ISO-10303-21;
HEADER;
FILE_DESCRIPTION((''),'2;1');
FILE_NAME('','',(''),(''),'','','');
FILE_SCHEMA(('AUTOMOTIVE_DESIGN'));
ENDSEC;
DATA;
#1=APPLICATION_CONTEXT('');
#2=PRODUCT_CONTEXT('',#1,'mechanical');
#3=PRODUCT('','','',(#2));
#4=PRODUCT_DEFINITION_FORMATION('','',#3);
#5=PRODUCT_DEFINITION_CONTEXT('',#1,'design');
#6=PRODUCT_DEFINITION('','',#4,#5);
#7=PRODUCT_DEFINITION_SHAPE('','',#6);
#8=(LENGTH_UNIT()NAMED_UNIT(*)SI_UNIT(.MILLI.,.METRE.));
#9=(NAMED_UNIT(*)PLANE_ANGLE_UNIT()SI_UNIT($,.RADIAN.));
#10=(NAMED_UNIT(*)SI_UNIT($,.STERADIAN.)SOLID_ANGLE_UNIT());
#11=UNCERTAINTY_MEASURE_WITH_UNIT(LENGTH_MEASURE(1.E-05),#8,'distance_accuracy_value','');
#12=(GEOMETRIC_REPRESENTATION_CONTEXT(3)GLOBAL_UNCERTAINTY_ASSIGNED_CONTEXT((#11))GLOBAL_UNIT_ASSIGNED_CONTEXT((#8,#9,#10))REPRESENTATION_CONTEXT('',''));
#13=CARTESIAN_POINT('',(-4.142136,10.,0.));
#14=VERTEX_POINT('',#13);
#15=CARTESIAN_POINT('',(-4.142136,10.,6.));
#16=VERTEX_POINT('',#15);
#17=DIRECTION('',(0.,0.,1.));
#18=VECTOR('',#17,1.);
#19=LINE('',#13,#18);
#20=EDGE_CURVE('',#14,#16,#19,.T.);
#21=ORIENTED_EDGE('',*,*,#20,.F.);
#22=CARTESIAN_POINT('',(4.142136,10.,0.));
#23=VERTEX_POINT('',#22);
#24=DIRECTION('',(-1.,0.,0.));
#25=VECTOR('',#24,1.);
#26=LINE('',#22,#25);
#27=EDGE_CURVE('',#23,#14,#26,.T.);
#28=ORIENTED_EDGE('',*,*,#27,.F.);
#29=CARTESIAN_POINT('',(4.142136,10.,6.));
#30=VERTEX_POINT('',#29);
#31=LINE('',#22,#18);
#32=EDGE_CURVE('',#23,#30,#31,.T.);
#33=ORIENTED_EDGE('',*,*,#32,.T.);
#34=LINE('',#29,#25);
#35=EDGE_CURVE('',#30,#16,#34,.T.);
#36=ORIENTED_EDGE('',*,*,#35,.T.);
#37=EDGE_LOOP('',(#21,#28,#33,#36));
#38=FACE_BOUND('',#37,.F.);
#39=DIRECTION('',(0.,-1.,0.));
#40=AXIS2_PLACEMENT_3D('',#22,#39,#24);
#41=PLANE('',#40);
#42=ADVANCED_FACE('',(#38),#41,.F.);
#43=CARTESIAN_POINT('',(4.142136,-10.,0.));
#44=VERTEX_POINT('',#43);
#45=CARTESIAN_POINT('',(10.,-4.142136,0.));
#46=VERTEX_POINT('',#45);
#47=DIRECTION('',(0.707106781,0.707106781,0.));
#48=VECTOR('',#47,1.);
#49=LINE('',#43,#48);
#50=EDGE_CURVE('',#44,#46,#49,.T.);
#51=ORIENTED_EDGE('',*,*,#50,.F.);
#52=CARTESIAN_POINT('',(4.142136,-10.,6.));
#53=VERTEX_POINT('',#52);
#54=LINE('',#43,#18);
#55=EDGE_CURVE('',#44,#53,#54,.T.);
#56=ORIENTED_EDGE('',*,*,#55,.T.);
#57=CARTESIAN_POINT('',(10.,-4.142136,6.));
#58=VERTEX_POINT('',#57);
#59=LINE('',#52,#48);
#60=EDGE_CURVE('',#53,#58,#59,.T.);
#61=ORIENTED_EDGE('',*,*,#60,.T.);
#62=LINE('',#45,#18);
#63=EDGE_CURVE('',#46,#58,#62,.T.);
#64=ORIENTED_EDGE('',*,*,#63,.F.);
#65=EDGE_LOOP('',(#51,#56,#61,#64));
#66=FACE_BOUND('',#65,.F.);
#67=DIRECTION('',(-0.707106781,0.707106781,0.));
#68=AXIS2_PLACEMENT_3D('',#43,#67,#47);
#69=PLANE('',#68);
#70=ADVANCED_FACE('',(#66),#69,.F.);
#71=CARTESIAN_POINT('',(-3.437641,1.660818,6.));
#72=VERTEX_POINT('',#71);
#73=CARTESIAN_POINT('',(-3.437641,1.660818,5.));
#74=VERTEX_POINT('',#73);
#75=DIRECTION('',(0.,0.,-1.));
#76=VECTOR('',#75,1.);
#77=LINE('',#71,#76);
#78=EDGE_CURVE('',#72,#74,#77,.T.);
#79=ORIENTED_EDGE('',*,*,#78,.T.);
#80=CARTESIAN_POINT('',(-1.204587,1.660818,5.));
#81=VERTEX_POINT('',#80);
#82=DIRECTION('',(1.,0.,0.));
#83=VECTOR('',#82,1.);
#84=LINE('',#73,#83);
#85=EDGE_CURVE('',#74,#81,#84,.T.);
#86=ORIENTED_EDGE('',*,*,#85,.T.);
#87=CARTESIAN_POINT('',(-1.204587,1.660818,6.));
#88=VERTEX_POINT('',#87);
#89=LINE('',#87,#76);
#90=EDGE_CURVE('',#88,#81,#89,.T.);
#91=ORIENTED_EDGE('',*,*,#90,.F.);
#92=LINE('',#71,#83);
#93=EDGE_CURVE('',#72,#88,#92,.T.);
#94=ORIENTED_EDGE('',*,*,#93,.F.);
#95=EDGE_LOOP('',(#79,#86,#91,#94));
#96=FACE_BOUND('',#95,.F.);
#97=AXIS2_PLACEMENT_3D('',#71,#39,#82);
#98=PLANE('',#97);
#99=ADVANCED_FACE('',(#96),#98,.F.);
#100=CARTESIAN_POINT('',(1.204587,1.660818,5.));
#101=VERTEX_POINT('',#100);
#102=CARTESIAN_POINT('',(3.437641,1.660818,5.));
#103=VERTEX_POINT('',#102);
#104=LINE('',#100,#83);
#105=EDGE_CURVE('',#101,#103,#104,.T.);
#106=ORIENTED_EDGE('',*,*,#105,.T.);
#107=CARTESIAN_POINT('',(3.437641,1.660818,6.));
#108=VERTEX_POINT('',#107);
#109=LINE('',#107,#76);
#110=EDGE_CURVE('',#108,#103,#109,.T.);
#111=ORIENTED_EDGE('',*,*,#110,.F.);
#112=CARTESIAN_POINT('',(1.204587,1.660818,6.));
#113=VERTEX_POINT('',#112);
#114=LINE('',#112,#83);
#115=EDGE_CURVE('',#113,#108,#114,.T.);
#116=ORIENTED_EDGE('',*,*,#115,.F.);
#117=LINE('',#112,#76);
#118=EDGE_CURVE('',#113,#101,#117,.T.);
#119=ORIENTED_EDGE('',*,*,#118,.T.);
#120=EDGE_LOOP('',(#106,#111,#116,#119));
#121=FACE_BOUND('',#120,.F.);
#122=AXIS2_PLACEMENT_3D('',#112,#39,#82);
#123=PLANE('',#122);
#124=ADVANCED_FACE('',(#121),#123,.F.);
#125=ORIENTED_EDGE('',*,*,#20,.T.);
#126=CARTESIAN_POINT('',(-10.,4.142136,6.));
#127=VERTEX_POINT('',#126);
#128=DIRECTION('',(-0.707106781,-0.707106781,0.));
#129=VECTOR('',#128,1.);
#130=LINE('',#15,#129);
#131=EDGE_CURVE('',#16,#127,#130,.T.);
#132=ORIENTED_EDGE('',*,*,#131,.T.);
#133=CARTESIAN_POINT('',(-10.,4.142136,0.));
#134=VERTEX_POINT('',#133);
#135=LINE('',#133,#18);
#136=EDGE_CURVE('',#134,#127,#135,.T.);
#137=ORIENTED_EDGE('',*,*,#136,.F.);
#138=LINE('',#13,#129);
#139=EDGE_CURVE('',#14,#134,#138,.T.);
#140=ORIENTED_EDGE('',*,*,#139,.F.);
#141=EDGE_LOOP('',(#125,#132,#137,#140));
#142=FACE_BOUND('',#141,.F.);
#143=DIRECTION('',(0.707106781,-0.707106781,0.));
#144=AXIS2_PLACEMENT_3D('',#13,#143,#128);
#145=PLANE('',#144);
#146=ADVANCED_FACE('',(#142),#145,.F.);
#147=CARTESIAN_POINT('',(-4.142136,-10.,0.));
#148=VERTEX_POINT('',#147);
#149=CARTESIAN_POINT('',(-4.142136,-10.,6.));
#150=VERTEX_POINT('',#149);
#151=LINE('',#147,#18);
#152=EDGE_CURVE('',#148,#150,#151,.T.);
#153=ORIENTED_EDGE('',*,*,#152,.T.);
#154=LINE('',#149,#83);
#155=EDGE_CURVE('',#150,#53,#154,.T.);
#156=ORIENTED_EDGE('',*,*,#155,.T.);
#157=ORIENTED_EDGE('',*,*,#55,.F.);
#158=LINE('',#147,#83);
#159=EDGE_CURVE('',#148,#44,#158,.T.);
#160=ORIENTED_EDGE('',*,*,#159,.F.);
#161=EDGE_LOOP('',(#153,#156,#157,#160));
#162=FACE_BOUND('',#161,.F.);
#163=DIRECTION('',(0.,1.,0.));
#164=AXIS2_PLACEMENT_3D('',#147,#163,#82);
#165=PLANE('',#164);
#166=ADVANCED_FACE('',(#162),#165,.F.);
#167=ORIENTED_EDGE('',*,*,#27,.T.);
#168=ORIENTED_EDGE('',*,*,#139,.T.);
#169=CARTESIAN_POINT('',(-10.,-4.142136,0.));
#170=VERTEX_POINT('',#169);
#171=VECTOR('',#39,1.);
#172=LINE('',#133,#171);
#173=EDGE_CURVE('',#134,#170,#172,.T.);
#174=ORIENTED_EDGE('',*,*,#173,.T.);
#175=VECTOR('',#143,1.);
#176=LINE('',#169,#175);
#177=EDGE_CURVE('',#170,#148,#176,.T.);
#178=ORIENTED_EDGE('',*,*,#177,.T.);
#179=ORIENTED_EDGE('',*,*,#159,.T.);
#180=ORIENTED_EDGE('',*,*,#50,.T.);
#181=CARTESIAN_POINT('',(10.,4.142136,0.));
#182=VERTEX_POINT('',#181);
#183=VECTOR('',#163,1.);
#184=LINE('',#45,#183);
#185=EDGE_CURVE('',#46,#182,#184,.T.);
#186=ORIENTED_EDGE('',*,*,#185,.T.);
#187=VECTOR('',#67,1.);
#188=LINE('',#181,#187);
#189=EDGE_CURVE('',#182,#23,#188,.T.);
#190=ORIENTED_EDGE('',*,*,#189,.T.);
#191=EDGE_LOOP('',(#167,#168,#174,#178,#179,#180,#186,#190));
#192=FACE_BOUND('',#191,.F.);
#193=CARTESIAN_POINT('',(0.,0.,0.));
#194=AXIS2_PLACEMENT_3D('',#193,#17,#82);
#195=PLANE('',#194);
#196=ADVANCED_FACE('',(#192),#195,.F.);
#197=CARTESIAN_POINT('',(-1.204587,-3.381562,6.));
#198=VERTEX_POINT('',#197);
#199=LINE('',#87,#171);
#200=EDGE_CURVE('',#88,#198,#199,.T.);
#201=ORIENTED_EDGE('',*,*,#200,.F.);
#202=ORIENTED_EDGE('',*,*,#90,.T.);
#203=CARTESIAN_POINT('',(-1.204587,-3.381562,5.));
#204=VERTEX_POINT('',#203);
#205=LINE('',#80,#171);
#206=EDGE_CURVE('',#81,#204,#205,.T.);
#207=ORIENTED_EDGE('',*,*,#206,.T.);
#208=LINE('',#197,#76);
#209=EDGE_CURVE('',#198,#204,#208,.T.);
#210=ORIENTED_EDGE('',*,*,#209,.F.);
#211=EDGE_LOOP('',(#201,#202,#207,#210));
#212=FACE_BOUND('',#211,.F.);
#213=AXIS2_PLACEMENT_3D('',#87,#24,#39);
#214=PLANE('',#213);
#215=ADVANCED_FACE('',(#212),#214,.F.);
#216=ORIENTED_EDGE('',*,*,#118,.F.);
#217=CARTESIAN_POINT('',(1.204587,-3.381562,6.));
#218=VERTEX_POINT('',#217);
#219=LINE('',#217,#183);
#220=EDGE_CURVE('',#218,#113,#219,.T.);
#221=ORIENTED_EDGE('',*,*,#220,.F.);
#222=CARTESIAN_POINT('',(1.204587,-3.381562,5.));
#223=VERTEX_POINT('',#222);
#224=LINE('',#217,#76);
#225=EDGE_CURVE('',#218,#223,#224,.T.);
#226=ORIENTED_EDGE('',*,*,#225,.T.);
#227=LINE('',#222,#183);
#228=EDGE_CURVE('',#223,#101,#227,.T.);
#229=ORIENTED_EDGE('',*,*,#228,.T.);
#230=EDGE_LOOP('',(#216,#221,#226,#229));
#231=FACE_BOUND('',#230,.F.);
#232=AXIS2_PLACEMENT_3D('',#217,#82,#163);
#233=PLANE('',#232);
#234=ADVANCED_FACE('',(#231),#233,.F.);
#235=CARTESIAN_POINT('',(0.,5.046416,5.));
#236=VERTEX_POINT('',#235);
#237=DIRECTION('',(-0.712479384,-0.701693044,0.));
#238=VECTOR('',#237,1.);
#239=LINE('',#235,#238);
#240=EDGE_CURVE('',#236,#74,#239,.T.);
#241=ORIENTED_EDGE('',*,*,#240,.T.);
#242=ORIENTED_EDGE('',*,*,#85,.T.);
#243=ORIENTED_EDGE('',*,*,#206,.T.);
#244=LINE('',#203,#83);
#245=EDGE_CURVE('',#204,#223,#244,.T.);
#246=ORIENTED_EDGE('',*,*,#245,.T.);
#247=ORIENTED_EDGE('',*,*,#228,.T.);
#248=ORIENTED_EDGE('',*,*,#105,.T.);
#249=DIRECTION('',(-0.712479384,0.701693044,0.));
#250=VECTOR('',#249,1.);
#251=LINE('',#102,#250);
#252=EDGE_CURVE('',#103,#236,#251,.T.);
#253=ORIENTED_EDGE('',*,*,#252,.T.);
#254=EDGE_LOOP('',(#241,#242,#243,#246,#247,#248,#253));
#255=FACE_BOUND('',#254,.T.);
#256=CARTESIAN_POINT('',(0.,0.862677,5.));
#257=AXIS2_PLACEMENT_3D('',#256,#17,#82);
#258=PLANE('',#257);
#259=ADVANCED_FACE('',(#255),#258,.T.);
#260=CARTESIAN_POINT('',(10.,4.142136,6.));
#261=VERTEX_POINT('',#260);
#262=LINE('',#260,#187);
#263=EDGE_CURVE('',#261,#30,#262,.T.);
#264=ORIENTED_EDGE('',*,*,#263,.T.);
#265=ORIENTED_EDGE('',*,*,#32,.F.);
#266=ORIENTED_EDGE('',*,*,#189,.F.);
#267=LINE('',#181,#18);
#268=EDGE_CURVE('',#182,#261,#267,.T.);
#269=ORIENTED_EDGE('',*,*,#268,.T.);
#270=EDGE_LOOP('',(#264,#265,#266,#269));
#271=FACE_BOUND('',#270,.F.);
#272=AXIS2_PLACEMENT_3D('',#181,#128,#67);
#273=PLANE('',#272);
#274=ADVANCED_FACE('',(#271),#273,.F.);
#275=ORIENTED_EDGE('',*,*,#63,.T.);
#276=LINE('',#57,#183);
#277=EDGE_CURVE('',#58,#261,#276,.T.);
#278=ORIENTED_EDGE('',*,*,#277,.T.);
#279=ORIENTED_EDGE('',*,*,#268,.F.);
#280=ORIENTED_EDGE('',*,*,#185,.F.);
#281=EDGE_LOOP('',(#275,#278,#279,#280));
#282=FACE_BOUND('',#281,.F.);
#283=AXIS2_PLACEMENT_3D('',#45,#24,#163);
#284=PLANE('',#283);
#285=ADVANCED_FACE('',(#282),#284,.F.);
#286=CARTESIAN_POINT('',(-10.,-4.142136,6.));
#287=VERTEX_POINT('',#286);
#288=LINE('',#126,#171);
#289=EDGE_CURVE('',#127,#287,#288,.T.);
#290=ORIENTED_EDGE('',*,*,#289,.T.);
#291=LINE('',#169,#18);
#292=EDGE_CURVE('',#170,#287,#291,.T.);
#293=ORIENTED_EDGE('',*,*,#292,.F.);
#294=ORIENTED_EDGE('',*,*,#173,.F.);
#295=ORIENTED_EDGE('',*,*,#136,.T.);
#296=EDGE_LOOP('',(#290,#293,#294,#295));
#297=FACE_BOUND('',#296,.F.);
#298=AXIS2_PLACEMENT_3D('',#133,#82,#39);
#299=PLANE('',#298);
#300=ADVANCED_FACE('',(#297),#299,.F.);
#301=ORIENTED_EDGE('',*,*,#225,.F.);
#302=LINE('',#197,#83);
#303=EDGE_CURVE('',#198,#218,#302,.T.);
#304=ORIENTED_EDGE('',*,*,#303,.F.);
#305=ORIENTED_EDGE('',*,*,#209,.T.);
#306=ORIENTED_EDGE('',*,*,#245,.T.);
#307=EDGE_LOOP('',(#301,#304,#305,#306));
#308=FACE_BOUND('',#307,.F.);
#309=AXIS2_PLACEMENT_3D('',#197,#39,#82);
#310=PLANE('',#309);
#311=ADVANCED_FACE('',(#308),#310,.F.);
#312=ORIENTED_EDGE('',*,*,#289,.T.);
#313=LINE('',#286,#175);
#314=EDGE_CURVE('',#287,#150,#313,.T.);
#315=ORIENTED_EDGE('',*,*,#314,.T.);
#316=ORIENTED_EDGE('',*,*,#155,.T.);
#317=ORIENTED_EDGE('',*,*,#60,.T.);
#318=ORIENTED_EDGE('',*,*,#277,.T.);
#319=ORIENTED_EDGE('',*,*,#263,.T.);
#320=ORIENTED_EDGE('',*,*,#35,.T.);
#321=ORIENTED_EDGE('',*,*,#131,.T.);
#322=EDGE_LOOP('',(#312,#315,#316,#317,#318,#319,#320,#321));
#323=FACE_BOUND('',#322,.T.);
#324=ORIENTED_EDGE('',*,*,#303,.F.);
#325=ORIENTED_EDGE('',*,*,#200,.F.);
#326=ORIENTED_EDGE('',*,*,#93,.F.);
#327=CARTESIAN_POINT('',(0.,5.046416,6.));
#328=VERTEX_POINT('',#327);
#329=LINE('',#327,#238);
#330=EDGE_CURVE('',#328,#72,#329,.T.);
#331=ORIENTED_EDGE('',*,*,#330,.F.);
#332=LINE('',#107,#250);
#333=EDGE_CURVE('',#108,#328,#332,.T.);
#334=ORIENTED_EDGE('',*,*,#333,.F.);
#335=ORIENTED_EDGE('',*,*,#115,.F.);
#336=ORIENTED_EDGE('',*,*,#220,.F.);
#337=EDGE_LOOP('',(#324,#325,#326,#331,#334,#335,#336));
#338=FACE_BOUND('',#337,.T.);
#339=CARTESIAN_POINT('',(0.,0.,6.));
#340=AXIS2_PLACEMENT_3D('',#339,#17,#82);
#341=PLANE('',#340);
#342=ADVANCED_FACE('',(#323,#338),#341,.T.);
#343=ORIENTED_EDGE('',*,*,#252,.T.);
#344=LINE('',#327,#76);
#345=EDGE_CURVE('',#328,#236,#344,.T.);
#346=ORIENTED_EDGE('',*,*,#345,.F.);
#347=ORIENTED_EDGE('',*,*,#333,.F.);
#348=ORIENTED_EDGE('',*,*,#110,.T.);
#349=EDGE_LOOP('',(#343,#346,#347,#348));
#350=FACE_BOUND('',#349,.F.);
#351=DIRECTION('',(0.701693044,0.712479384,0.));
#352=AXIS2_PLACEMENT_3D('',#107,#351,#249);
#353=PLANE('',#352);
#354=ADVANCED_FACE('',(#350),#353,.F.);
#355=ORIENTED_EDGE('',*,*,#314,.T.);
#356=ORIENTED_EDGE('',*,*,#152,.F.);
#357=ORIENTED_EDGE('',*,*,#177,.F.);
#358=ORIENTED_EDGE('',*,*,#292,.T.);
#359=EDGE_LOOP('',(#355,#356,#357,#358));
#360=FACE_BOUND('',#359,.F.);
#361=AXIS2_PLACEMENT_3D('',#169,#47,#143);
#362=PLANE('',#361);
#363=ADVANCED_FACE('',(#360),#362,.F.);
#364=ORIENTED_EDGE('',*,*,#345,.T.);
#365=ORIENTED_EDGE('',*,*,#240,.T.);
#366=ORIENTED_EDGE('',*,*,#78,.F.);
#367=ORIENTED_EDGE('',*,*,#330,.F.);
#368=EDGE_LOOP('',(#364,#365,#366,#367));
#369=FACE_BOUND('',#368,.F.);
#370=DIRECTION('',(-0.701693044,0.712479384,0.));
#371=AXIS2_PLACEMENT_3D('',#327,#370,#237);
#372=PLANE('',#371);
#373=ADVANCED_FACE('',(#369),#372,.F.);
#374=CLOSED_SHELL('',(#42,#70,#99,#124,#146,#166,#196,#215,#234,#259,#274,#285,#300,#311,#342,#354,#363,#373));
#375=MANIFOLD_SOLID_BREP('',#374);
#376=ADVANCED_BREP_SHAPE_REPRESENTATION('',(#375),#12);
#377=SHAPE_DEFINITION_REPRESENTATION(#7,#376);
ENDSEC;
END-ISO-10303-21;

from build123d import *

# Parameters (mm, degrees)
F1_DEPTH = 6
F3_DEPTH = 1


with BuildPart() as f1:
    # F0 (on Top) → F1 (new body)
    with BuildSketch(Plane.XY):
        Polygon((10, -4.142136), (10, 4.142136), (4.142136, 10), (-4.142136, 10), (-10, 4.142136), (-10, -4.142136), (-4.142136, -10), (4.142136, -10), align=None)
    extrude(amount=F1_DEPTH)

    # F2 (on face) → F3 (cut)
    with BuildSketch(Plane.XY.offset(6)):
        Polygon((3.437641, 1.660818), (0, 5.046416), (-3.437641, 1.660818), (-1.204587, 1.660818), (-1.204587, -3.381562), (0, -3.381562), (1.204587, -3.381562), (1.204587, 1.660818), align=None)
    extrude(amount=-F3_DEPTH, mode=Mode.SUBTRACT)


solid = f1.part
